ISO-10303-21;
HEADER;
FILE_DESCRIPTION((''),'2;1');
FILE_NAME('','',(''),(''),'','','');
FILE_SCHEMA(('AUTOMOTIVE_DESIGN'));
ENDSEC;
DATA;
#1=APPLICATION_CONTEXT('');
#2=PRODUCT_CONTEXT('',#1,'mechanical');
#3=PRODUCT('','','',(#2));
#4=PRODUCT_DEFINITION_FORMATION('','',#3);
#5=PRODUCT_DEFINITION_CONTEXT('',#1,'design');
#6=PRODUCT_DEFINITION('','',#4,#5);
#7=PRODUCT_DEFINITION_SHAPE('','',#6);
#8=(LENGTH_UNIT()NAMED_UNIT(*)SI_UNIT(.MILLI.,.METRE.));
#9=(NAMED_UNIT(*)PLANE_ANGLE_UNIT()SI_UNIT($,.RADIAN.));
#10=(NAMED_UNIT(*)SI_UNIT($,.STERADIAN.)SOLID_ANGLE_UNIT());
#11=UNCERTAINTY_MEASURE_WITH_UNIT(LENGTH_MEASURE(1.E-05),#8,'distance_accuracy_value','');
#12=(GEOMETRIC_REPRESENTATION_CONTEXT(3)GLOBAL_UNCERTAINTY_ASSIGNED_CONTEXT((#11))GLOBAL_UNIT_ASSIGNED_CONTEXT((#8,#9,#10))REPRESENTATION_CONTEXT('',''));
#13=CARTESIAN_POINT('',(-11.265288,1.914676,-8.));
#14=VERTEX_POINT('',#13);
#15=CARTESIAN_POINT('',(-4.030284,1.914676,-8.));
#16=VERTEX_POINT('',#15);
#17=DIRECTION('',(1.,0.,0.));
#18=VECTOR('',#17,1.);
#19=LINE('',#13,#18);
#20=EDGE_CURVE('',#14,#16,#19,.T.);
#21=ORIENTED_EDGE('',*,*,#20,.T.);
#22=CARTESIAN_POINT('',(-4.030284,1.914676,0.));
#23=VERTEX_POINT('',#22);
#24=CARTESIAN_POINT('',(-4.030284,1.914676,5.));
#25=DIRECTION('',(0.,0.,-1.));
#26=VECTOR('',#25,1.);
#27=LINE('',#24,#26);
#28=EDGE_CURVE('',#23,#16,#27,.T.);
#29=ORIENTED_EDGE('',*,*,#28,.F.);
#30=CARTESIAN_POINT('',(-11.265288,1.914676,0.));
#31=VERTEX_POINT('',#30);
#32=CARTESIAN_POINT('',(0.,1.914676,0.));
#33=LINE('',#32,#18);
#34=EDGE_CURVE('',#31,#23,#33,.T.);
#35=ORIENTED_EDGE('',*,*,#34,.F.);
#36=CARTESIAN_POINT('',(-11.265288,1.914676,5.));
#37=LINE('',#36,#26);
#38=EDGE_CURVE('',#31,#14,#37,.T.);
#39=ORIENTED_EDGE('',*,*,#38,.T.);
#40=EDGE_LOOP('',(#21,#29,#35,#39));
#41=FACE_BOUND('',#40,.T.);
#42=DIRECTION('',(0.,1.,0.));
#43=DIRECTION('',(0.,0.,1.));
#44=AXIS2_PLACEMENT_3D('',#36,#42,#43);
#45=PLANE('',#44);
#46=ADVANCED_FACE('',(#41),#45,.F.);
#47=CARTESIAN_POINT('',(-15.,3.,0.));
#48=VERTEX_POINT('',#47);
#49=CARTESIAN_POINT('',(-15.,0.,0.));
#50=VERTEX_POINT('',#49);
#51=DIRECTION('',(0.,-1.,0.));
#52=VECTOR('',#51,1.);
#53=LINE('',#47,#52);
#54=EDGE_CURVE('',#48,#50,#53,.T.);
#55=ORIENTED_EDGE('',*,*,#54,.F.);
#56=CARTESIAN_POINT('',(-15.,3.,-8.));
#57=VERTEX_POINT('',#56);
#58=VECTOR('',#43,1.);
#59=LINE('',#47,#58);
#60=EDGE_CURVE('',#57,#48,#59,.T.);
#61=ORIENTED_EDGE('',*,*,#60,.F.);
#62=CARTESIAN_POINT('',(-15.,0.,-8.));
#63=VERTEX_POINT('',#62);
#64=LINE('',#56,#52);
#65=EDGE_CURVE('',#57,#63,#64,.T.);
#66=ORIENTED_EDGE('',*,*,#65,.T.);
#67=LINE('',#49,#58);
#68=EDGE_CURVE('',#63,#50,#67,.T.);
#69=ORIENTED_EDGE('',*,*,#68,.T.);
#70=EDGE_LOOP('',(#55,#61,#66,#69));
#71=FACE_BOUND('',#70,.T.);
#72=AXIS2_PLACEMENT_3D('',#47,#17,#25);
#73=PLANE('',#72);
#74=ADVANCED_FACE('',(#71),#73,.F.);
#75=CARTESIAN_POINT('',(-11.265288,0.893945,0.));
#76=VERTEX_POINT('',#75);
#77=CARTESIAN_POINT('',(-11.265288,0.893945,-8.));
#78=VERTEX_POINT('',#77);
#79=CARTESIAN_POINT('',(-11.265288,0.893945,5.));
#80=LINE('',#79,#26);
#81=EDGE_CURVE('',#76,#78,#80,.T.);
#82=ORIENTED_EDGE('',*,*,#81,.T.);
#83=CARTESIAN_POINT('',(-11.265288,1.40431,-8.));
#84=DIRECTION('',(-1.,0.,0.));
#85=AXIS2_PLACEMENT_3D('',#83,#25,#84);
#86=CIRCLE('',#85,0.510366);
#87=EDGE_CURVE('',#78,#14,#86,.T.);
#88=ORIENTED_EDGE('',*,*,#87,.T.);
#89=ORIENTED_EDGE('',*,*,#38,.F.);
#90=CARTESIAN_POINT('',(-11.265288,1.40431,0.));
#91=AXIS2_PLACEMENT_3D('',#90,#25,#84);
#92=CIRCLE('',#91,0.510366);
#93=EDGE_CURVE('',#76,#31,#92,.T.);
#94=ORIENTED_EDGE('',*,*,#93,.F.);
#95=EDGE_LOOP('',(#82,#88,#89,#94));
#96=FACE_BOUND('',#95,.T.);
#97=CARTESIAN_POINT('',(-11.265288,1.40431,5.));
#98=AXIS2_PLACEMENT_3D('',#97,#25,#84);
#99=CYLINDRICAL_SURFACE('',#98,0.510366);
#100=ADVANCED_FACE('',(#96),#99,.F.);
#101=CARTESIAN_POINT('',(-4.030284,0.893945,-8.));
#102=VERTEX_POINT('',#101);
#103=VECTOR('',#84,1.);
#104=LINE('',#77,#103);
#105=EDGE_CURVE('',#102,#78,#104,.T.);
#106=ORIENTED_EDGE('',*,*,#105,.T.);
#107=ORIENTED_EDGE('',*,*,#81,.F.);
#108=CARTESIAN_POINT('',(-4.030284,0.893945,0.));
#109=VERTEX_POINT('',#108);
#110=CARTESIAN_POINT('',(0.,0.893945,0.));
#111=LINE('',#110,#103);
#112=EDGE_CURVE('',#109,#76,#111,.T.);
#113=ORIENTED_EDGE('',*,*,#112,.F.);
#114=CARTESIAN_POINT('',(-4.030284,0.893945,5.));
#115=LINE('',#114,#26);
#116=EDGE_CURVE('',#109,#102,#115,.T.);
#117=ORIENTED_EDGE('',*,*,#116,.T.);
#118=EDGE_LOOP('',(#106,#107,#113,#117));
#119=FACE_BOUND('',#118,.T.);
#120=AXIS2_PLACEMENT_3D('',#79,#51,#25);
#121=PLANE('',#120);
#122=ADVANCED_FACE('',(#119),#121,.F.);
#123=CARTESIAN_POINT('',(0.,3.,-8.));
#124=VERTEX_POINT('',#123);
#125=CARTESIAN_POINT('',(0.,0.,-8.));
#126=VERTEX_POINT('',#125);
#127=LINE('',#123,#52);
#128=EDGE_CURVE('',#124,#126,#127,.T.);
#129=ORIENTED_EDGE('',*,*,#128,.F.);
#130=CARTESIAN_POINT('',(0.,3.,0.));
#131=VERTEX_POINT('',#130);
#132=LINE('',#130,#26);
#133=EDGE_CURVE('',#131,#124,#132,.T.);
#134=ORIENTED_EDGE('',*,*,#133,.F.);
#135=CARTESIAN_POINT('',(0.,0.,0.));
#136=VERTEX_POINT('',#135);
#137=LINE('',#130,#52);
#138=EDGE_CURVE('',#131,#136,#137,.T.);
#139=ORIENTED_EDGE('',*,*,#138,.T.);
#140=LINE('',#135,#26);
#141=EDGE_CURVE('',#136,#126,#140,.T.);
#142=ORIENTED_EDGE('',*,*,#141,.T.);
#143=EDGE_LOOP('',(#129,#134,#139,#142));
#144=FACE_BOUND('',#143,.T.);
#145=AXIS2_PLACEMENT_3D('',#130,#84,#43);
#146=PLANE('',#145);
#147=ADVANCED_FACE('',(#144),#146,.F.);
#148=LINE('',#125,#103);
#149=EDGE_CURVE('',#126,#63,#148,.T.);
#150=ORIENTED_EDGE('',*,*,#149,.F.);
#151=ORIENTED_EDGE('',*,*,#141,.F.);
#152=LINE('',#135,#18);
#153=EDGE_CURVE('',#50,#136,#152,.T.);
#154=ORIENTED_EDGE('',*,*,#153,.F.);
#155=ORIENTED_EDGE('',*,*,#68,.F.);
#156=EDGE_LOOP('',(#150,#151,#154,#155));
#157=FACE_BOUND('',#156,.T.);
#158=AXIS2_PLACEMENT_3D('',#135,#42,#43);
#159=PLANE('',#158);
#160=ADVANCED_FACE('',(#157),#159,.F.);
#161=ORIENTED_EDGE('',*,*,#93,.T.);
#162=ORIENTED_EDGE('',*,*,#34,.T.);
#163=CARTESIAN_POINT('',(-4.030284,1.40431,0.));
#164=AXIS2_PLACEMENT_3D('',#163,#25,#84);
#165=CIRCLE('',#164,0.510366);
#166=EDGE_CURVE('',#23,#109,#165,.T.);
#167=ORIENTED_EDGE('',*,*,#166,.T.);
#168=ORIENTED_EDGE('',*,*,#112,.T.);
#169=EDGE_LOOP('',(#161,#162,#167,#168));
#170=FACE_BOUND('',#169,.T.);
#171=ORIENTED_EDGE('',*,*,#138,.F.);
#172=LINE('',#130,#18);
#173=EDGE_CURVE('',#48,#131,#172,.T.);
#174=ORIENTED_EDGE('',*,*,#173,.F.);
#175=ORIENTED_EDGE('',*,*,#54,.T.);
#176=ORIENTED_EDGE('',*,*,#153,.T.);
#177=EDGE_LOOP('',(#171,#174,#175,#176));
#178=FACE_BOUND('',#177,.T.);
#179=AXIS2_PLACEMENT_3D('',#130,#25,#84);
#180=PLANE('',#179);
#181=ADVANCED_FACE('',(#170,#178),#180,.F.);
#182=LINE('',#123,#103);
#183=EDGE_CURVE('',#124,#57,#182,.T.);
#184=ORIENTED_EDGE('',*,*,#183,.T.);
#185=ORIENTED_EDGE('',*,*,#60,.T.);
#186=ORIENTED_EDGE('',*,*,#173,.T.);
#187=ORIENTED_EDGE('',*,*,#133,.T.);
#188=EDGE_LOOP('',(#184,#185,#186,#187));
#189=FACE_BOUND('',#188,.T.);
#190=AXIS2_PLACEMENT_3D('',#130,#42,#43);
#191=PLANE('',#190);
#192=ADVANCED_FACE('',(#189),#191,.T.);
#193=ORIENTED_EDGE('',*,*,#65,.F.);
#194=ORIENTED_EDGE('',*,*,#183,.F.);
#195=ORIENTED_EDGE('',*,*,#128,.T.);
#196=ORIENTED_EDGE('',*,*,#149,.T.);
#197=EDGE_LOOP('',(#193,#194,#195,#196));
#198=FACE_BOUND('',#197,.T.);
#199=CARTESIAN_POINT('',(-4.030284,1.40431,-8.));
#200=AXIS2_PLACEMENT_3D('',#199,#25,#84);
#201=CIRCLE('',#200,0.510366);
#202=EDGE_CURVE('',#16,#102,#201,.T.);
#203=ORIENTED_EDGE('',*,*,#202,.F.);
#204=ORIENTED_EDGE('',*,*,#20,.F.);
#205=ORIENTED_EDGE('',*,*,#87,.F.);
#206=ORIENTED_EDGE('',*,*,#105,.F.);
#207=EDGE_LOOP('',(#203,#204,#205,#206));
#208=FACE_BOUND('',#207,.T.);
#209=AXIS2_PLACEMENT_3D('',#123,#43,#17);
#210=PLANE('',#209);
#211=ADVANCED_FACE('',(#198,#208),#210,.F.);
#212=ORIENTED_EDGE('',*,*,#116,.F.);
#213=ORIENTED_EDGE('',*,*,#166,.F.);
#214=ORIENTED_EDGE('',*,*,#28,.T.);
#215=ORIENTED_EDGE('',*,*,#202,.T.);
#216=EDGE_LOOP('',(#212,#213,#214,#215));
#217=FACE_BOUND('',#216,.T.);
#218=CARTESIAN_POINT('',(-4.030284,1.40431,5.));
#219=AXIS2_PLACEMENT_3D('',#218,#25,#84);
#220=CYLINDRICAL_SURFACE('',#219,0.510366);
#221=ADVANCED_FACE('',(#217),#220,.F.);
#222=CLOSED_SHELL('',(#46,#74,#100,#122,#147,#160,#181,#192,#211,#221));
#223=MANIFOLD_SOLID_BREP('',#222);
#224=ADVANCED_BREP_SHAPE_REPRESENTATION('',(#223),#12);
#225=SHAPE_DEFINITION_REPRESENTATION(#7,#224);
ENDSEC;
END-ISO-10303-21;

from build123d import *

# Parameters (mm, degrees)
SKETCH1_W           = 15
SKETCH1_H           = 8
BOSS_EXTRUDE1_DEPTH = 3
CUT_EXTRUDE2_DEPTH  = 13


with BuildPart() as part:
    # Sketch1 → Boss-Extrude1 (new body)
    with BuildSketch(Plane(origin=(0, 0, 0), x_dir=(1, 0, 0), z_dir=(0, 1, 0))):
        with Locations((-7.5, 4)):
            Rectangle(SKETCH1_W, SKETCH1_H)
    extrude(amount=BOSS_EXTRUDE1_DEPTH)

    # Sketch19 → Cut-Extrude2 (cut)
    with BuildSketch(Plane(origin=(0, 0, -8), x_dir=(-1, 0, 0), z_dir=(0, 0, -1))):
        with BuildLine():
            Line((11.265287709, 0.893944687), (4.030284254, 0.893944687))
            ThreePointArc((4.030284254, 0.893944687), (3.519918662, 1.40431028), (4.030284254, 1.914675872))
            Line((4.030284254, 1.914675872), (11.265287709, 1.914675872))
            ThreePointArc((11.265287709, 1.914675872), (11.775653301, 1.40431028), (11.265287709, 0.893944687))
        make_face()
    extrude(amount=-CUT_EXTRUDE2_DEPTH, mode=Mode.SUBTRACT)


solid = part.part
